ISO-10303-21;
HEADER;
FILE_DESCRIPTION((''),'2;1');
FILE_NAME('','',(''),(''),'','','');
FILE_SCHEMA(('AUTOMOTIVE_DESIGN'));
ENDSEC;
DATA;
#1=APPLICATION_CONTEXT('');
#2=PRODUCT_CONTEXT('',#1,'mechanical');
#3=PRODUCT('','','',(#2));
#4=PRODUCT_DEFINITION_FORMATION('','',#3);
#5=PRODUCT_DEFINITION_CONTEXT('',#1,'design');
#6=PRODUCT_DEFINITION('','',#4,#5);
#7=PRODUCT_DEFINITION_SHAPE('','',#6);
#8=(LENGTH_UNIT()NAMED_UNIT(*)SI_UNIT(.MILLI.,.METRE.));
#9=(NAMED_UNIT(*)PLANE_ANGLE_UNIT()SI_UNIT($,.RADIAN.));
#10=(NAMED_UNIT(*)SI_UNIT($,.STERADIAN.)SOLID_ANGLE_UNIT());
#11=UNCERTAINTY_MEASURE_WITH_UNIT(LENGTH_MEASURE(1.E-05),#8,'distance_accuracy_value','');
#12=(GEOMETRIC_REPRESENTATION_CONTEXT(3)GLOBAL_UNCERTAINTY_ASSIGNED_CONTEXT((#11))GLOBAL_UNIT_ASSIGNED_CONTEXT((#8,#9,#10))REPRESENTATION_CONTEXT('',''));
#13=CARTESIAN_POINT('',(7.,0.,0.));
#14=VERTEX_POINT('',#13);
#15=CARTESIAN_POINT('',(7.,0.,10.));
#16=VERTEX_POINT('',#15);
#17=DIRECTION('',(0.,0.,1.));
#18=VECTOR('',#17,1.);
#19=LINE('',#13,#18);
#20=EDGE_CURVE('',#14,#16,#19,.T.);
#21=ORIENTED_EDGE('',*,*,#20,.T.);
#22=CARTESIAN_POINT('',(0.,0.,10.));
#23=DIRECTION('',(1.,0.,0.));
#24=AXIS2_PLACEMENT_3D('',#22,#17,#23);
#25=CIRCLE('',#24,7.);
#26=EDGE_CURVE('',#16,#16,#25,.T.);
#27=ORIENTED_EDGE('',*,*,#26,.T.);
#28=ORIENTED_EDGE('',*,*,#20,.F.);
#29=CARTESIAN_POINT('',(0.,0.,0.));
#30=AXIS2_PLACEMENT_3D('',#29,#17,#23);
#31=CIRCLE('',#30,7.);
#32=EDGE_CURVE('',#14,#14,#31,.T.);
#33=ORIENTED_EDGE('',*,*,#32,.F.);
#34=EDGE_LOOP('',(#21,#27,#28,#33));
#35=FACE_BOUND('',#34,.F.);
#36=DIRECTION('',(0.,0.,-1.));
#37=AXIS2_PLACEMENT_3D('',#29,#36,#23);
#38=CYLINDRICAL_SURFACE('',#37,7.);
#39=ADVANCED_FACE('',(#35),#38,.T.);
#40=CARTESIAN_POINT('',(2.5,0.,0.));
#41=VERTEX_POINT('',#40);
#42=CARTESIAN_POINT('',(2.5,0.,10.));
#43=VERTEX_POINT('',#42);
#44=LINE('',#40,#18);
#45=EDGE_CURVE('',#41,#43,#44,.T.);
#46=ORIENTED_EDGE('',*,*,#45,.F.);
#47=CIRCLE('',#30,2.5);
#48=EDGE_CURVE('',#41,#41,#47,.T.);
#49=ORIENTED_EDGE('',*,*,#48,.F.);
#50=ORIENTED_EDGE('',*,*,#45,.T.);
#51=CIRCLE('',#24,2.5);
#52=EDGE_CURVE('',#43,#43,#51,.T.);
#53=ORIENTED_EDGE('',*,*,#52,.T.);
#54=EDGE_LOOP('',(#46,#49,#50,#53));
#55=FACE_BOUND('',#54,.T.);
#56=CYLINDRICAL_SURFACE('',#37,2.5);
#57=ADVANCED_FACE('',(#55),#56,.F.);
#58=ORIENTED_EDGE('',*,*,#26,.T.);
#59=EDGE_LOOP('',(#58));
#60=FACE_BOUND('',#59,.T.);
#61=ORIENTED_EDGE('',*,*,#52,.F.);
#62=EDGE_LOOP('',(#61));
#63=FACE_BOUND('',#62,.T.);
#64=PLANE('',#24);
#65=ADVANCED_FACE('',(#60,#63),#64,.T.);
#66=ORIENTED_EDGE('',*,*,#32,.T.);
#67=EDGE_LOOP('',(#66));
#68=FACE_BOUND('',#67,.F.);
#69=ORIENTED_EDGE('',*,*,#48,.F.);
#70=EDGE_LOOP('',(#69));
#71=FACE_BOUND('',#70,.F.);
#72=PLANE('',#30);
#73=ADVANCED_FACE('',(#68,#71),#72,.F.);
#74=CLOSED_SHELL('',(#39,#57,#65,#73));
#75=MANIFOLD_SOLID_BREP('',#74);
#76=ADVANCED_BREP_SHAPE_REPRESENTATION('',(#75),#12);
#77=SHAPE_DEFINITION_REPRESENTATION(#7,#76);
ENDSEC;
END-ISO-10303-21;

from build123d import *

# Parameters (mm, degrees)
SKETCH_R   = 7
SKETCH_R_2 = 2.5
PAD_DEPTH  = 10


with BuildPart() as part:
    # Sketch → Pad (new body)
    with BuildSketch(Plane.XY):
        Circle(SKETCH_R)
        Circle(SKETCH_R_2, mode=Mode.SUBTRACT)
    extrude(amount=PAD_DEPTH)


solid = part.part
